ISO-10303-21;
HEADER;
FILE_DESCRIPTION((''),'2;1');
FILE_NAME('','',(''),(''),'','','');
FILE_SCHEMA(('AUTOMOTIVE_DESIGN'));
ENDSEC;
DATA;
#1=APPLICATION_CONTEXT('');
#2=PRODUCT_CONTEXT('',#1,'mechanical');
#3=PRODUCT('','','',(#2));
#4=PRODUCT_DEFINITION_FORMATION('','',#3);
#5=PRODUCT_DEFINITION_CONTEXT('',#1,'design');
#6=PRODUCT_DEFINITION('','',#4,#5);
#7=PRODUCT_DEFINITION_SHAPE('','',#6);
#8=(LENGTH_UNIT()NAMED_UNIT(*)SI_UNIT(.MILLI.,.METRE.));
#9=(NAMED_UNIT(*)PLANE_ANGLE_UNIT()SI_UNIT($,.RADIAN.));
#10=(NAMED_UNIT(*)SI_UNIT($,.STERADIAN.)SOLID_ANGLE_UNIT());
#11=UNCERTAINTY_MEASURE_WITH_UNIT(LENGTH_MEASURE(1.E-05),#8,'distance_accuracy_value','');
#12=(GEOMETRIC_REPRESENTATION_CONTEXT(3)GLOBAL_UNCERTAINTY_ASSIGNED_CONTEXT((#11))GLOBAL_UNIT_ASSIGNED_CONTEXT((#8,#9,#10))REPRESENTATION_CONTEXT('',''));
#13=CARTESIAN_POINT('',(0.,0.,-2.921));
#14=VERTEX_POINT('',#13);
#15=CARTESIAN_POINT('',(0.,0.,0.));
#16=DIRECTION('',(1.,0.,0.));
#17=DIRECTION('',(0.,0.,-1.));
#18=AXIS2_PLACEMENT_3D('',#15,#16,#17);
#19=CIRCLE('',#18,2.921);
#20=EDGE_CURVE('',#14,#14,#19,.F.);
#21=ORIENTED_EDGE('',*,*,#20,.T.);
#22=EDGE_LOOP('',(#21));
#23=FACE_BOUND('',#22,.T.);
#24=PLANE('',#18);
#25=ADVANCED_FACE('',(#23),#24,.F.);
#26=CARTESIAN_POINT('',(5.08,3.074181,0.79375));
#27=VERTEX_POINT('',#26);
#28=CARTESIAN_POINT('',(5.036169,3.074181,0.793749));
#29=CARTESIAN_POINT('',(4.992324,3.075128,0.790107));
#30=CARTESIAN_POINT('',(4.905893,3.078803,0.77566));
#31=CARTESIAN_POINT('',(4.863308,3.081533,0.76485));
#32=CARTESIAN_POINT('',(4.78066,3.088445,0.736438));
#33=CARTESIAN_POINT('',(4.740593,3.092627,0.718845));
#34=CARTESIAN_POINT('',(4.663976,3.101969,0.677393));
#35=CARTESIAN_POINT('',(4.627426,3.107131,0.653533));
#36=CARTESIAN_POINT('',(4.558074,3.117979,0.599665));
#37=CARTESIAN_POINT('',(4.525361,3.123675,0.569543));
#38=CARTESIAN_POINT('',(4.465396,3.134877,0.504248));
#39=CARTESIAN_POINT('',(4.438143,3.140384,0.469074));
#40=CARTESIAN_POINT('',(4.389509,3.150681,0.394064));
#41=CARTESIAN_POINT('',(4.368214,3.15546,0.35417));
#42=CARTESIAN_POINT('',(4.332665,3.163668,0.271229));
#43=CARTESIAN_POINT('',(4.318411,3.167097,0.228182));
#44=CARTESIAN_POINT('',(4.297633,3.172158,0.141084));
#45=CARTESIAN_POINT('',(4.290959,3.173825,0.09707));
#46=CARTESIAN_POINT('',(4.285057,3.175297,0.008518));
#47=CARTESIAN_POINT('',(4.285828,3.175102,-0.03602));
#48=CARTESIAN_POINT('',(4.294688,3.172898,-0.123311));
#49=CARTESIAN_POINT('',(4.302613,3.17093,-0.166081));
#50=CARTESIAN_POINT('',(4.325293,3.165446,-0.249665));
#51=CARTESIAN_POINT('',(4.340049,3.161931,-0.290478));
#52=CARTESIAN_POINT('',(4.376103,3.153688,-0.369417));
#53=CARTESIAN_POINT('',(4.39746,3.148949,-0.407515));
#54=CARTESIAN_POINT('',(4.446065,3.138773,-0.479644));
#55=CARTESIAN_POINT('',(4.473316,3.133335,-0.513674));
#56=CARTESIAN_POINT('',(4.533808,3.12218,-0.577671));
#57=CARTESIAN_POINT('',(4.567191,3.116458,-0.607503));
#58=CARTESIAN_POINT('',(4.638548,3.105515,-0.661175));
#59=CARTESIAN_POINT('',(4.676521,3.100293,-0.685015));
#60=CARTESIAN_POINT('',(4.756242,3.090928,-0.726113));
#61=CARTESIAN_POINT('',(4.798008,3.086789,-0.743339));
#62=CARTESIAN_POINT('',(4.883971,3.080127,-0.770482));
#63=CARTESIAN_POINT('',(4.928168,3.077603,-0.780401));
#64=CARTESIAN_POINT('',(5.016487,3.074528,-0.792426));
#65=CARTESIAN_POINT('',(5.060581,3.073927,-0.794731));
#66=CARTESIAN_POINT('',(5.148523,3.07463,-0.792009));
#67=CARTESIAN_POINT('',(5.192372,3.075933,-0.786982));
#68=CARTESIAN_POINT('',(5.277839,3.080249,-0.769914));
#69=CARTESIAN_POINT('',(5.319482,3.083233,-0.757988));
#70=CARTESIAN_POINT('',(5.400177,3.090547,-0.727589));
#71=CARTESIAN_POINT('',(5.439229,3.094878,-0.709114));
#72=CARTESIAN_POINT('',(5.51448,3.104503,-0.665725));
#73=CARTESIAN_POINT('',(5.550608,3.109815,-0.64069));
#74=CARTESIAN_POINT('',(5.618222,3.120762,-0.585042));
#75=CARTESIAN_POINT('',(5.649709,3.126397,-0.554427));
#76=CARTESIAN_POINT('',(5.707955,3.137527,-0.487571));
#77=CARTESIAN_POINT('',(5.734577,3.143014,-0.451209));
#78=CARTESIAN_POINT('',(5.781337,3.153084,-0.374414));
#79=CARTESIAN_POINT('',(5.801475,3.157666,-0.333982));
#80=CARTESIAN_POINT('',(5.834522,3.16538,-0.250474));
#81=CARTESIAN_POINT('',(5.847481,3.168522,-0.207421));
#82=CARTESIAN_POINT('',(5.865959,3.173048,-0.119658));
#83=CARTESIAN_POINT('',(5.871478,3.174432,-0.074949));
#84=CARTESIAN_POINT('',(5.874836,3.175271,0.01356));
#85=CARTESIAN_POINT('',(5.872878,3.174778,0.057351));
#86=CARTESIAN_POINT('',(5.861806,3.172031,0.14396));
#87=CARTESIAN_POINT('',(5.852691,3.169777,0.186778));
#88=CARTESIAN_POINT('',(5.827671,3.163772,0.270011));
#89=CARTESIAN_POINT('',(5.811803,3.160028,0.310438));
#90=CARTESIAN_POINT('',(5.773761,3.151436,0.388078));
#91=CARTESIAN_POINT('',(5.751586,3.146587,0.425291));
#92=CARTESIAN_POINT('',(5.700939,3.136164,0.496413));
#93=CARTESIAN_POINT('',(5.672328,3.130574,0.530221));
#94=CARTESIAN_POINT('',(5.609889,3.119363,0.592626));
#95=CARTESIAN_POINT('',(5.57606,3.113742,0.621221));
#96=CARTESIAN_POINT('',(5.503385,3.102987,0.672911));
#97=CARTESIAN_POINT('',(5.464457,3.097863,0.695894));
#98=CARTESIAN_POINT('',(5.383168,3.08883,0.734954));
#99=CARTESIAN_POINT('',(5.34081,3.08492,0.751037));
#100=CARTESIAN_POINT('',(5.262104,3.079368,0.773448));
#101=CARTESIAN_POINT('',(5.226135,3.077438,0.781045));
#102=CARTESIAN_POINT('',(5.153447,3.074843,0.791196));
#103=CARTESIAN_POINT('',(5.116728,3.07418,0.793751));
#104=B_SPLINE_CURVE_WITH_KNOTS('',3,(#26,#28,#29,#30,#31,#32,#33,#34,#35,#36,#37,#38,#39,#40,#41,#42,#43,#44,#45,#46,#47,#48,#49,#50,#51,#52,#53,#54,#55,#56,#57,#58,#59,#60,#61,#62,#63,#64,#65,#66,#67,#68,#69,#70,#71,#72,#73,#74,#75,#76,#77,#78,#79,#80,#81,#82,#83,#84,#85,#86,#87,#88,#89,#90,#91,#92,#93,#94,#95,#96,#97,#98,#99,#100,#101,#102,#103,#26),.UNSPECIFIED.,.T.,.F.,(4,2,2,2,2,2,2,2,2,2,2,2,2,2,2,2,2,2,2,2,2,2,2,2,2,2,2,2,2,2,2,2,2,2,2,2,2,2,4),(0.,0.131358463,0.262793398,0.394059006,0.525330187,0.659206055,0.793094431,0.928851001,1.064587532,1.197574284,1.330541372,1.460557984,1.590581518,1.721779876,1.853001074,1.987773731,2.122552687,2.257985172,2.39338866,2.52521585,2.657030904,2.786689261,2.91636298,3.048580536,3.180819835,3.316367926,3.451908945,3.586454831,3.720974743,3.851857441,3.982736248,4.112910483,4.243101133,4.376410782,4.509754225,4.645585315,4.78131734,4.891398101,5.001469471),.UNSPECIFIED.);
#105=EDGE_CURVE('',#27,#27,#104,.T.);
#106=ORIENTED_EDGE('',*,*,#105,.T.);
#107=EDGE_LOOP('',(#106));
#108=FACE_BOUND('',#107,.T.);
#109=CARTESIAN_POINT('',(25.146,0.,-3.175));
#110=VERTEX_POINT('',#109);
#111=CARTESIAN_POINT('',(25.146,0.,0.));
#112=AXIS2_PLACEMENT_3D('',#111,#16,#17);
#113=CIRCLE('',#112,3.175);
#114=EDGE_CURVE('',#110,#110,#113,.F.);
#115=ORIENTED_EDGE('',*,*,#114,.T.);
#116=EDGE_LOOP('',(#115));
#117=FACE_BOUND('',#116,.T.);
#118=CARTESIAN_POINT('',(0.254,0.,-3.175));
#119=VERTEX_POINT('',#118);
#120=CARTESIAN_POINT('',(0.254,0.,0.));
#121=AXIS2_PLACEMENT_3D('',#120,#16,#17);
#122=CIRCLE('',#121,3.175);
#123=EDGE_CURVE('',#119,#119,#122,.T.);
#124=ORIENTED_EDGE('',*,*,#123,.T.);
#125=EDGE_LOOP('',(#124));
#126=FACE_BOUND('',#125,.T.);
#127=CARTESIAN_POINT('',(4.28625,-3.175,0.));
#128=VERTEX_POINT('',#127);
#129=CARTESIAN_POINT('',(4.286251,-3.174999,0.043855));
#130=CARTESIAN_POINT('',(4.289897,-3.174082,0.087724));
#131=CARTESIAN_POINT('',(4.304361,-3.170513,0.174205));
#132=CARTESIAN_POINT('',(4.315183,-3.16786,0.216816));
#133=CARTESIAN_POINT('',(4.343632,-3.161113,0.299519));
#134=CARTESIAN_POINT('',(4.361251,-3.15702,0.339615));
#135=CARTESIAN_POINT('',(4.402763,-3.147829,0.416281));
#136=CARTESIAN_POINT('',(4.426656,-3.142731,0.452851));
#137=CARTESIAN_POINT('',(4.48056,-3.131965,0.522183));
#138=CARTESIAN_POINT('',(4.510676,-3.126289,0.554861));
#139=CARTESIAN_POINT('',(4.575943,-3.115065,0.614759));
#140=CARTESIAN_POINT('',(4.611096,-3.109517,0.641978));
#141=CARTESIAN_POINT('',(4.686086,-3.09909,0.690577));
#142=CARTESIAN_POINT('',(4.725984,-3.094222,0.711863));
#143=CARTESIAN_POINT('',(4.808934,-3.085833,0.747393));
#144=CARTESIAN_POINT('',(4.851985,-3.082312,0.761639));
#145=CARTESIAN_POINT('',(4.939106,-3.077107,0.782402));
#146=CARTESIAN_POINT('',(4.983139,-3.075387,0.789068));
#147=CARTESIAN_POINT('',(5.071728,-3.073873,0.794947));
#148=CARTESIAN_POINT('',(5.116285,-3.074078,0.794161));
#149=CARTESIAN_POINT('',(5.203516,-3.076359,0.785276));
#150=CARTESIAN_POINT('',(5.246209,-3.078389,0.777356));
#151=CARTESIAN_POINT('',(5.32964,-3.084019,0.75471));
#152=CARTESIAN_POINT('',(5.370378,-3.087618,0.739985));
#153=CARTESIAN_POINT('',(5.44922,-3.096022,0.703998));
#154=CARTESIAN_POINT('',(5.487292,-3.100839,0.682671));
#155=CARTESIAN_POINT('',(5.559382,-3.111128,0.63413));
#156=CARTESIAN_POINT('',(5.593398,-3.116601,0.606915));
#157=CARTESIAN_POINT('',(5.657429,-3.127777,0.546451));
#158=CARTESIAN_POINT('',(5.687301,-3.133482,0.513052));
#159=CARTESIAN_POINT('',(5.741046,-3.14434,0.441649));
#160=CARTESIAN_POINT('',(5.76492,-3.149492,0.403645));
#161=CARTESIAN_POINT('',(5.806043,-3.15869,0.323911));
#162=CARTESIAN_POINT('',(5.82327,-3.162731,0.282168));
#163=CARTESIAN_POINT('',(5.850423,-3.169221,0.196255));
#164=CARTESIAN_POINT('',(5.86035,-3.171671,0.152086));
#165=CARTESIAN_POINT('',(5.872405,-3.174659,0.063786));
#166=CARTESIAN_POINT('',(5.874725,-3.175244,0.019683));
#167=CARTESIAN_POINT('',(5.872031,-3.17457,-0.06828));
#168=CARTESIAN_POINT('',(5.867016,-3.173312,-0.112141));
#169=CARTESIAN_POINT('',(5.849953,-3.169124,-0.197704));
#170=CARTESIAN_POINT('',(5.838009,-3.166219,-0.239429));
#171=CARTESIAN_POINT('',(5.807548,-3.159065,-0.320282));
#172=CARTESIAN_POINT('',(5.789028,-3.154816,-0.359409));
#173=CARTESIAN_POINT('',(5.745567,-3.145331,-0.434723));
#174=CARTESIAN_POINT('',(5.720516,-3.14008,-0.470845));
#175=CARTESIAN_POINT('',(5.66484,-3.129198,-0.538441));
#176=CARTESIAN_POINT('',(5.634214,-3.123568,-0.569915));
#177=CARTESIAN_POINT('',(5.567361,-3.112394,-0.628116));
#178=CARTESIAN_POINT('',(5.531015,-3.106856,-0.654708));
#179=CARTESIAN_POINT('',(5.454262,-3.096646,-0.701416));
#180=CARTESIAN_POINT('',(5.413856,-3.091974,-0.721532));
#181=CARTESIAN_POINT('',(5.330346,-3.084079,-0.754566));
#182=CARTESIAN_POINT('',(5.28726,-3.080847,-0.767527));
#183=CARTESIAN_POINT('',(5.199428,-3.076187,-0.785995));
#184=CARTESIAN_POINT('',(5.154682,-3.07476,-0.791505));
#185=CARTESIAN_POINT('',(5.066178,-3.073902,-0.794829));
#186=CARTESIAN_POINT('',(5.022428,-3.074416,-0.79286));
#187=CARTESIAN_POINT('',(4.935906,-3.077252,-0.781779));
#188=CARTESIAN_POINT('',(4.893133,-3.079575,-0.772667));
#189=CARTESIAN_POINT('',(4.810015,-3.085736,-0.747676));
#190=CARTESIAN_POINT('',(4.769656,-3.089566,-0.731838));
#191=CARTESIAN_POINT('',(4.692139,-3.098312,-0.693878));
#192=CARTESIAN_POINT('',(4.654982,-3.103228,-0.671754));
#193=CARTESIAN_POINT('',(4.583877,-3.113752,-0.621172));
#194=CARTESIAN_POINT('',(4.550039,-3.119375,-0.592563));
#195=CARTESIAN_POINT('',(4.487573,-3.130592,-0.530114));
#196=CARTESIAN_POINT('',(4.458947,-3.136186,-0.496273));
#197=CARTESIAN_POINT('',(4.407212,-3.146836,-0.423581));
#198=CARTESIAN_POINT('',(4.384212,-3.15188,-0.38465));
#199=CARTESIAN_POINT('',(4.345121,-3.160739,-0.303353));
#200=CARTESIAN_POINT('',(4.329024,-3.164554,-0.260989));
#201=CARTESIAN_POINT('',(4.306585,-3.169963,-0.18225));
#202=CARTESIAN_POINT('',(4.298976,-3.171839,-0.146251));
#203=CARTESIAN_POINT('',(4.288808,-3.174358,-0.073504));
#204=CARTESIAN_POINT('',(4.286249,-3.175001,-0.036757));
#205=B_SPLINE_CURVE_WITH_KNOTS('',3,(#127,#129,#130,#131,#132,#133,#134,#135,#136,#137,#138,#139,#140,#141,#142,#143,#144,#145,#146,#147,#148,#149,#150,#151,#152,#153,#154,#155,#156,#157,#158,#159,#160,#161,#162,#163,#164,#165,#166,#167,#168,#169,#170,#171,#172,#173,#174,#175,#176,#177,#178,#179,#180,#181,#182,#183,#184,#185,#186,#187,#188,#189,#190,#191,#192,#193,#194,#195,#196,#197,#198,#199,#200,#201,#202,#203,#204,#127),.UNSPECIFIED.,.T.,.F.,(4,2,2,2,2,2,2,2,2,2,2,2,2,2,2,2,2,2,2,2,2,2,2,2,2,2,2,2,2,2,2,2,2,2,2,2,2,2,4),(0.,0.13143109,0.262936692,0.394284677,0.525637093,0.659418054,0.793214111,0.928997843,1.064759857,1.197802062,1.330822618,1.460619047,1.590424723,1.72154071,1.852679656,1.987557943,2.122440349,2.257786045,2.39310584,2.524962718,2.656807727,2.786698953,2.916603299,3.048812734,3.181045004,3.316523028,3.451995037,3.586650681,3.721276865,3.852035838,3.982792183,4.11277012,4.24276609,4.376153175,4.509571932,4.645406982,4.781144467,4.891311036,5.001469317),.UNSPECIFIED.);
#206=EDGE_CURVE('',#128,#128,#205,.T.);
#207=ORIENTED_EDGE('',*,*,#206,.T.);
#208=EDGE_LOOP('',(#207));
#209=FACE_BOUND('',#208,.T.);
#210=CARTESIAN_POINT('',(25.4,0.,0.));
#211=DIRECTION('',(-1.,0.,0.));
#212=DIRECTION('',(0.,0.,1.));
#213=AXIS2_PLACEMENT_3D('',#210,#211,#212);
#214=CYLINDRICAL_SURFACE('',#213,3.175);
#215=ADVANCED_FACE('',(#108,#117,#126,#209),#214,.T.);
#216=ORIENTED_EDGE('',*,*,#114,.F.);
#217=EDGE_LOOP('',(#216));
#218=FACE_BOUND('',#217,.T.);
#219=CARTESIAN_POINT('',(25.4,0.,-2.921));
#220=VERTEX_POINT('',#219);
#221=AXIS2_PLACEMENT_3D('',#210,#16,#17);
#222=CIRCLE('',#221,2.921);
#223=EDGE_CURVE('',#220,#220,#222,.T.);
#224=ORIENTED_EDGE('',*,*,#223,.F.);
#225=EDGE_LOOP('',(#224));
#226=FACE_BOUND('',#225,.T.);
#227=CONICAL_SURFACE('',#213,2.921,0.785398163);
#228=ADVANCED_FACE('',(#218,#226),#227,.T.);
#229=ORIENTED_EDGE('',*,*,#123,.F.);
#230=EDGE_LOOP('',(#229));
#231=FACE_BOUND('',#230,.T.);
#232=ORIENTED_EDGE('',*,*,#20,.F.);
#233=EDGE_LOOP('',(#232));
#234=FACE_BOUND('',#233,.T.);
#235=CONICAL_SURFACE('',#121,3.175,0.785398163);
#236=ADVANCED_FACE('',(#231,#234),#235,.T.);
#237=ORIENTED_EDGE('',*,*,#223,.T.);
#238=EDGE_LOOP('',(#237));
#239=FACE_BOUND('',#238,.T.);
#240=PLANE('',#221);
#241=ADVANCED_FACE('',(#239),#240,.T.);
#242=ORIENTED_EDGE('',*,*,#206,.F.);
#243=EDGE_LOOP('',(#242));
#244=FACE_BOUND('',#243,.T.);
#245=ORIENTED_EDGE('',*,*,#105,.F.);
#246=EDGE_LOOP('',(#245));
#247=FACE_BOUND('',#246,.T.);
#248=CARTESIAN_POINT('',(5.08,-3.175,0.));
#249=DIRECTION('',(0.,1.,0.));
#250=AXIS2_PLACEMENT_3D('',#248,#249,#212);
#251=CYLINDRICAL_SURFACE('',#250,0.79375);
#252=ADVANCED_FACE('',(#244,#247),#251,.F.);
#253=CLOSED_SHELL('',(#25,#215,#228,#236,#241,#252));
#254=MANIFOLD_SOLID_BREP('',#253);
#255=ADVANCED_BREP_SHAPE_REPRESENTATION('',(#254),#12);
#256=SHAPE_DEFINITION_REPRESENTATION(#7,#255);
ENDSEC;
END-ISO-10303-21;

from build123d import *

# Parameters (mm, degrees)
SKETCH2_R               = 3.175
BOSS_EXTRUDE1_DEPTH     = 25.4
CHAMFER1_SIZE           = 0.254
SKETCH4_R               = 0.79375
CUT_EXTRUDE2_DEPTH      = 4.175
CUT_EXTRUDE2_DEPTH_BACK = 4.175


with BuildPart() as part:
    # Sketch2 → Boss-Extrude1 (new body)
    with BuildSketch(Plane(origin=(0, 0, 0), x_dir=(0, 0, -1), z_dir=(1, 0, 0))):
        Circle(SKETCH2_R)
    extrude(amount=BOSS_EXTRUDE1_DEPTH)

    # Chamfer1
    chamfer1_edges = [part.edges().sort_by_distance(p)[0] for p in [
        (0, 0, 3.175),
        (25.4, 0, 3.175),
    ]]
    chamfer(chamfer1_edges, length=CHAMFER1_SIZE)

    # Sketch4 → Cut-Extrude2 (cut, two sides)
    with BuildSketch(Plane(origin=(0, 0, 0), x_dir=(1, 0, 0), z_dir=(0, 1, 0))) as cut_extrude2_sk:
        with Locations((5.08, 0)):
            Circle(SKETCH4_R)
    extrude(amount=CUT_EXTRUDE2_DEPTH, mode=Mode.SUBTRACT)
    extrude(cut_extrude2_sk.sketch, amount=-CUT_EXTRUDE2_DEPTH_BACK, mode=Mode.SUBTRACT)


solid = part.part
